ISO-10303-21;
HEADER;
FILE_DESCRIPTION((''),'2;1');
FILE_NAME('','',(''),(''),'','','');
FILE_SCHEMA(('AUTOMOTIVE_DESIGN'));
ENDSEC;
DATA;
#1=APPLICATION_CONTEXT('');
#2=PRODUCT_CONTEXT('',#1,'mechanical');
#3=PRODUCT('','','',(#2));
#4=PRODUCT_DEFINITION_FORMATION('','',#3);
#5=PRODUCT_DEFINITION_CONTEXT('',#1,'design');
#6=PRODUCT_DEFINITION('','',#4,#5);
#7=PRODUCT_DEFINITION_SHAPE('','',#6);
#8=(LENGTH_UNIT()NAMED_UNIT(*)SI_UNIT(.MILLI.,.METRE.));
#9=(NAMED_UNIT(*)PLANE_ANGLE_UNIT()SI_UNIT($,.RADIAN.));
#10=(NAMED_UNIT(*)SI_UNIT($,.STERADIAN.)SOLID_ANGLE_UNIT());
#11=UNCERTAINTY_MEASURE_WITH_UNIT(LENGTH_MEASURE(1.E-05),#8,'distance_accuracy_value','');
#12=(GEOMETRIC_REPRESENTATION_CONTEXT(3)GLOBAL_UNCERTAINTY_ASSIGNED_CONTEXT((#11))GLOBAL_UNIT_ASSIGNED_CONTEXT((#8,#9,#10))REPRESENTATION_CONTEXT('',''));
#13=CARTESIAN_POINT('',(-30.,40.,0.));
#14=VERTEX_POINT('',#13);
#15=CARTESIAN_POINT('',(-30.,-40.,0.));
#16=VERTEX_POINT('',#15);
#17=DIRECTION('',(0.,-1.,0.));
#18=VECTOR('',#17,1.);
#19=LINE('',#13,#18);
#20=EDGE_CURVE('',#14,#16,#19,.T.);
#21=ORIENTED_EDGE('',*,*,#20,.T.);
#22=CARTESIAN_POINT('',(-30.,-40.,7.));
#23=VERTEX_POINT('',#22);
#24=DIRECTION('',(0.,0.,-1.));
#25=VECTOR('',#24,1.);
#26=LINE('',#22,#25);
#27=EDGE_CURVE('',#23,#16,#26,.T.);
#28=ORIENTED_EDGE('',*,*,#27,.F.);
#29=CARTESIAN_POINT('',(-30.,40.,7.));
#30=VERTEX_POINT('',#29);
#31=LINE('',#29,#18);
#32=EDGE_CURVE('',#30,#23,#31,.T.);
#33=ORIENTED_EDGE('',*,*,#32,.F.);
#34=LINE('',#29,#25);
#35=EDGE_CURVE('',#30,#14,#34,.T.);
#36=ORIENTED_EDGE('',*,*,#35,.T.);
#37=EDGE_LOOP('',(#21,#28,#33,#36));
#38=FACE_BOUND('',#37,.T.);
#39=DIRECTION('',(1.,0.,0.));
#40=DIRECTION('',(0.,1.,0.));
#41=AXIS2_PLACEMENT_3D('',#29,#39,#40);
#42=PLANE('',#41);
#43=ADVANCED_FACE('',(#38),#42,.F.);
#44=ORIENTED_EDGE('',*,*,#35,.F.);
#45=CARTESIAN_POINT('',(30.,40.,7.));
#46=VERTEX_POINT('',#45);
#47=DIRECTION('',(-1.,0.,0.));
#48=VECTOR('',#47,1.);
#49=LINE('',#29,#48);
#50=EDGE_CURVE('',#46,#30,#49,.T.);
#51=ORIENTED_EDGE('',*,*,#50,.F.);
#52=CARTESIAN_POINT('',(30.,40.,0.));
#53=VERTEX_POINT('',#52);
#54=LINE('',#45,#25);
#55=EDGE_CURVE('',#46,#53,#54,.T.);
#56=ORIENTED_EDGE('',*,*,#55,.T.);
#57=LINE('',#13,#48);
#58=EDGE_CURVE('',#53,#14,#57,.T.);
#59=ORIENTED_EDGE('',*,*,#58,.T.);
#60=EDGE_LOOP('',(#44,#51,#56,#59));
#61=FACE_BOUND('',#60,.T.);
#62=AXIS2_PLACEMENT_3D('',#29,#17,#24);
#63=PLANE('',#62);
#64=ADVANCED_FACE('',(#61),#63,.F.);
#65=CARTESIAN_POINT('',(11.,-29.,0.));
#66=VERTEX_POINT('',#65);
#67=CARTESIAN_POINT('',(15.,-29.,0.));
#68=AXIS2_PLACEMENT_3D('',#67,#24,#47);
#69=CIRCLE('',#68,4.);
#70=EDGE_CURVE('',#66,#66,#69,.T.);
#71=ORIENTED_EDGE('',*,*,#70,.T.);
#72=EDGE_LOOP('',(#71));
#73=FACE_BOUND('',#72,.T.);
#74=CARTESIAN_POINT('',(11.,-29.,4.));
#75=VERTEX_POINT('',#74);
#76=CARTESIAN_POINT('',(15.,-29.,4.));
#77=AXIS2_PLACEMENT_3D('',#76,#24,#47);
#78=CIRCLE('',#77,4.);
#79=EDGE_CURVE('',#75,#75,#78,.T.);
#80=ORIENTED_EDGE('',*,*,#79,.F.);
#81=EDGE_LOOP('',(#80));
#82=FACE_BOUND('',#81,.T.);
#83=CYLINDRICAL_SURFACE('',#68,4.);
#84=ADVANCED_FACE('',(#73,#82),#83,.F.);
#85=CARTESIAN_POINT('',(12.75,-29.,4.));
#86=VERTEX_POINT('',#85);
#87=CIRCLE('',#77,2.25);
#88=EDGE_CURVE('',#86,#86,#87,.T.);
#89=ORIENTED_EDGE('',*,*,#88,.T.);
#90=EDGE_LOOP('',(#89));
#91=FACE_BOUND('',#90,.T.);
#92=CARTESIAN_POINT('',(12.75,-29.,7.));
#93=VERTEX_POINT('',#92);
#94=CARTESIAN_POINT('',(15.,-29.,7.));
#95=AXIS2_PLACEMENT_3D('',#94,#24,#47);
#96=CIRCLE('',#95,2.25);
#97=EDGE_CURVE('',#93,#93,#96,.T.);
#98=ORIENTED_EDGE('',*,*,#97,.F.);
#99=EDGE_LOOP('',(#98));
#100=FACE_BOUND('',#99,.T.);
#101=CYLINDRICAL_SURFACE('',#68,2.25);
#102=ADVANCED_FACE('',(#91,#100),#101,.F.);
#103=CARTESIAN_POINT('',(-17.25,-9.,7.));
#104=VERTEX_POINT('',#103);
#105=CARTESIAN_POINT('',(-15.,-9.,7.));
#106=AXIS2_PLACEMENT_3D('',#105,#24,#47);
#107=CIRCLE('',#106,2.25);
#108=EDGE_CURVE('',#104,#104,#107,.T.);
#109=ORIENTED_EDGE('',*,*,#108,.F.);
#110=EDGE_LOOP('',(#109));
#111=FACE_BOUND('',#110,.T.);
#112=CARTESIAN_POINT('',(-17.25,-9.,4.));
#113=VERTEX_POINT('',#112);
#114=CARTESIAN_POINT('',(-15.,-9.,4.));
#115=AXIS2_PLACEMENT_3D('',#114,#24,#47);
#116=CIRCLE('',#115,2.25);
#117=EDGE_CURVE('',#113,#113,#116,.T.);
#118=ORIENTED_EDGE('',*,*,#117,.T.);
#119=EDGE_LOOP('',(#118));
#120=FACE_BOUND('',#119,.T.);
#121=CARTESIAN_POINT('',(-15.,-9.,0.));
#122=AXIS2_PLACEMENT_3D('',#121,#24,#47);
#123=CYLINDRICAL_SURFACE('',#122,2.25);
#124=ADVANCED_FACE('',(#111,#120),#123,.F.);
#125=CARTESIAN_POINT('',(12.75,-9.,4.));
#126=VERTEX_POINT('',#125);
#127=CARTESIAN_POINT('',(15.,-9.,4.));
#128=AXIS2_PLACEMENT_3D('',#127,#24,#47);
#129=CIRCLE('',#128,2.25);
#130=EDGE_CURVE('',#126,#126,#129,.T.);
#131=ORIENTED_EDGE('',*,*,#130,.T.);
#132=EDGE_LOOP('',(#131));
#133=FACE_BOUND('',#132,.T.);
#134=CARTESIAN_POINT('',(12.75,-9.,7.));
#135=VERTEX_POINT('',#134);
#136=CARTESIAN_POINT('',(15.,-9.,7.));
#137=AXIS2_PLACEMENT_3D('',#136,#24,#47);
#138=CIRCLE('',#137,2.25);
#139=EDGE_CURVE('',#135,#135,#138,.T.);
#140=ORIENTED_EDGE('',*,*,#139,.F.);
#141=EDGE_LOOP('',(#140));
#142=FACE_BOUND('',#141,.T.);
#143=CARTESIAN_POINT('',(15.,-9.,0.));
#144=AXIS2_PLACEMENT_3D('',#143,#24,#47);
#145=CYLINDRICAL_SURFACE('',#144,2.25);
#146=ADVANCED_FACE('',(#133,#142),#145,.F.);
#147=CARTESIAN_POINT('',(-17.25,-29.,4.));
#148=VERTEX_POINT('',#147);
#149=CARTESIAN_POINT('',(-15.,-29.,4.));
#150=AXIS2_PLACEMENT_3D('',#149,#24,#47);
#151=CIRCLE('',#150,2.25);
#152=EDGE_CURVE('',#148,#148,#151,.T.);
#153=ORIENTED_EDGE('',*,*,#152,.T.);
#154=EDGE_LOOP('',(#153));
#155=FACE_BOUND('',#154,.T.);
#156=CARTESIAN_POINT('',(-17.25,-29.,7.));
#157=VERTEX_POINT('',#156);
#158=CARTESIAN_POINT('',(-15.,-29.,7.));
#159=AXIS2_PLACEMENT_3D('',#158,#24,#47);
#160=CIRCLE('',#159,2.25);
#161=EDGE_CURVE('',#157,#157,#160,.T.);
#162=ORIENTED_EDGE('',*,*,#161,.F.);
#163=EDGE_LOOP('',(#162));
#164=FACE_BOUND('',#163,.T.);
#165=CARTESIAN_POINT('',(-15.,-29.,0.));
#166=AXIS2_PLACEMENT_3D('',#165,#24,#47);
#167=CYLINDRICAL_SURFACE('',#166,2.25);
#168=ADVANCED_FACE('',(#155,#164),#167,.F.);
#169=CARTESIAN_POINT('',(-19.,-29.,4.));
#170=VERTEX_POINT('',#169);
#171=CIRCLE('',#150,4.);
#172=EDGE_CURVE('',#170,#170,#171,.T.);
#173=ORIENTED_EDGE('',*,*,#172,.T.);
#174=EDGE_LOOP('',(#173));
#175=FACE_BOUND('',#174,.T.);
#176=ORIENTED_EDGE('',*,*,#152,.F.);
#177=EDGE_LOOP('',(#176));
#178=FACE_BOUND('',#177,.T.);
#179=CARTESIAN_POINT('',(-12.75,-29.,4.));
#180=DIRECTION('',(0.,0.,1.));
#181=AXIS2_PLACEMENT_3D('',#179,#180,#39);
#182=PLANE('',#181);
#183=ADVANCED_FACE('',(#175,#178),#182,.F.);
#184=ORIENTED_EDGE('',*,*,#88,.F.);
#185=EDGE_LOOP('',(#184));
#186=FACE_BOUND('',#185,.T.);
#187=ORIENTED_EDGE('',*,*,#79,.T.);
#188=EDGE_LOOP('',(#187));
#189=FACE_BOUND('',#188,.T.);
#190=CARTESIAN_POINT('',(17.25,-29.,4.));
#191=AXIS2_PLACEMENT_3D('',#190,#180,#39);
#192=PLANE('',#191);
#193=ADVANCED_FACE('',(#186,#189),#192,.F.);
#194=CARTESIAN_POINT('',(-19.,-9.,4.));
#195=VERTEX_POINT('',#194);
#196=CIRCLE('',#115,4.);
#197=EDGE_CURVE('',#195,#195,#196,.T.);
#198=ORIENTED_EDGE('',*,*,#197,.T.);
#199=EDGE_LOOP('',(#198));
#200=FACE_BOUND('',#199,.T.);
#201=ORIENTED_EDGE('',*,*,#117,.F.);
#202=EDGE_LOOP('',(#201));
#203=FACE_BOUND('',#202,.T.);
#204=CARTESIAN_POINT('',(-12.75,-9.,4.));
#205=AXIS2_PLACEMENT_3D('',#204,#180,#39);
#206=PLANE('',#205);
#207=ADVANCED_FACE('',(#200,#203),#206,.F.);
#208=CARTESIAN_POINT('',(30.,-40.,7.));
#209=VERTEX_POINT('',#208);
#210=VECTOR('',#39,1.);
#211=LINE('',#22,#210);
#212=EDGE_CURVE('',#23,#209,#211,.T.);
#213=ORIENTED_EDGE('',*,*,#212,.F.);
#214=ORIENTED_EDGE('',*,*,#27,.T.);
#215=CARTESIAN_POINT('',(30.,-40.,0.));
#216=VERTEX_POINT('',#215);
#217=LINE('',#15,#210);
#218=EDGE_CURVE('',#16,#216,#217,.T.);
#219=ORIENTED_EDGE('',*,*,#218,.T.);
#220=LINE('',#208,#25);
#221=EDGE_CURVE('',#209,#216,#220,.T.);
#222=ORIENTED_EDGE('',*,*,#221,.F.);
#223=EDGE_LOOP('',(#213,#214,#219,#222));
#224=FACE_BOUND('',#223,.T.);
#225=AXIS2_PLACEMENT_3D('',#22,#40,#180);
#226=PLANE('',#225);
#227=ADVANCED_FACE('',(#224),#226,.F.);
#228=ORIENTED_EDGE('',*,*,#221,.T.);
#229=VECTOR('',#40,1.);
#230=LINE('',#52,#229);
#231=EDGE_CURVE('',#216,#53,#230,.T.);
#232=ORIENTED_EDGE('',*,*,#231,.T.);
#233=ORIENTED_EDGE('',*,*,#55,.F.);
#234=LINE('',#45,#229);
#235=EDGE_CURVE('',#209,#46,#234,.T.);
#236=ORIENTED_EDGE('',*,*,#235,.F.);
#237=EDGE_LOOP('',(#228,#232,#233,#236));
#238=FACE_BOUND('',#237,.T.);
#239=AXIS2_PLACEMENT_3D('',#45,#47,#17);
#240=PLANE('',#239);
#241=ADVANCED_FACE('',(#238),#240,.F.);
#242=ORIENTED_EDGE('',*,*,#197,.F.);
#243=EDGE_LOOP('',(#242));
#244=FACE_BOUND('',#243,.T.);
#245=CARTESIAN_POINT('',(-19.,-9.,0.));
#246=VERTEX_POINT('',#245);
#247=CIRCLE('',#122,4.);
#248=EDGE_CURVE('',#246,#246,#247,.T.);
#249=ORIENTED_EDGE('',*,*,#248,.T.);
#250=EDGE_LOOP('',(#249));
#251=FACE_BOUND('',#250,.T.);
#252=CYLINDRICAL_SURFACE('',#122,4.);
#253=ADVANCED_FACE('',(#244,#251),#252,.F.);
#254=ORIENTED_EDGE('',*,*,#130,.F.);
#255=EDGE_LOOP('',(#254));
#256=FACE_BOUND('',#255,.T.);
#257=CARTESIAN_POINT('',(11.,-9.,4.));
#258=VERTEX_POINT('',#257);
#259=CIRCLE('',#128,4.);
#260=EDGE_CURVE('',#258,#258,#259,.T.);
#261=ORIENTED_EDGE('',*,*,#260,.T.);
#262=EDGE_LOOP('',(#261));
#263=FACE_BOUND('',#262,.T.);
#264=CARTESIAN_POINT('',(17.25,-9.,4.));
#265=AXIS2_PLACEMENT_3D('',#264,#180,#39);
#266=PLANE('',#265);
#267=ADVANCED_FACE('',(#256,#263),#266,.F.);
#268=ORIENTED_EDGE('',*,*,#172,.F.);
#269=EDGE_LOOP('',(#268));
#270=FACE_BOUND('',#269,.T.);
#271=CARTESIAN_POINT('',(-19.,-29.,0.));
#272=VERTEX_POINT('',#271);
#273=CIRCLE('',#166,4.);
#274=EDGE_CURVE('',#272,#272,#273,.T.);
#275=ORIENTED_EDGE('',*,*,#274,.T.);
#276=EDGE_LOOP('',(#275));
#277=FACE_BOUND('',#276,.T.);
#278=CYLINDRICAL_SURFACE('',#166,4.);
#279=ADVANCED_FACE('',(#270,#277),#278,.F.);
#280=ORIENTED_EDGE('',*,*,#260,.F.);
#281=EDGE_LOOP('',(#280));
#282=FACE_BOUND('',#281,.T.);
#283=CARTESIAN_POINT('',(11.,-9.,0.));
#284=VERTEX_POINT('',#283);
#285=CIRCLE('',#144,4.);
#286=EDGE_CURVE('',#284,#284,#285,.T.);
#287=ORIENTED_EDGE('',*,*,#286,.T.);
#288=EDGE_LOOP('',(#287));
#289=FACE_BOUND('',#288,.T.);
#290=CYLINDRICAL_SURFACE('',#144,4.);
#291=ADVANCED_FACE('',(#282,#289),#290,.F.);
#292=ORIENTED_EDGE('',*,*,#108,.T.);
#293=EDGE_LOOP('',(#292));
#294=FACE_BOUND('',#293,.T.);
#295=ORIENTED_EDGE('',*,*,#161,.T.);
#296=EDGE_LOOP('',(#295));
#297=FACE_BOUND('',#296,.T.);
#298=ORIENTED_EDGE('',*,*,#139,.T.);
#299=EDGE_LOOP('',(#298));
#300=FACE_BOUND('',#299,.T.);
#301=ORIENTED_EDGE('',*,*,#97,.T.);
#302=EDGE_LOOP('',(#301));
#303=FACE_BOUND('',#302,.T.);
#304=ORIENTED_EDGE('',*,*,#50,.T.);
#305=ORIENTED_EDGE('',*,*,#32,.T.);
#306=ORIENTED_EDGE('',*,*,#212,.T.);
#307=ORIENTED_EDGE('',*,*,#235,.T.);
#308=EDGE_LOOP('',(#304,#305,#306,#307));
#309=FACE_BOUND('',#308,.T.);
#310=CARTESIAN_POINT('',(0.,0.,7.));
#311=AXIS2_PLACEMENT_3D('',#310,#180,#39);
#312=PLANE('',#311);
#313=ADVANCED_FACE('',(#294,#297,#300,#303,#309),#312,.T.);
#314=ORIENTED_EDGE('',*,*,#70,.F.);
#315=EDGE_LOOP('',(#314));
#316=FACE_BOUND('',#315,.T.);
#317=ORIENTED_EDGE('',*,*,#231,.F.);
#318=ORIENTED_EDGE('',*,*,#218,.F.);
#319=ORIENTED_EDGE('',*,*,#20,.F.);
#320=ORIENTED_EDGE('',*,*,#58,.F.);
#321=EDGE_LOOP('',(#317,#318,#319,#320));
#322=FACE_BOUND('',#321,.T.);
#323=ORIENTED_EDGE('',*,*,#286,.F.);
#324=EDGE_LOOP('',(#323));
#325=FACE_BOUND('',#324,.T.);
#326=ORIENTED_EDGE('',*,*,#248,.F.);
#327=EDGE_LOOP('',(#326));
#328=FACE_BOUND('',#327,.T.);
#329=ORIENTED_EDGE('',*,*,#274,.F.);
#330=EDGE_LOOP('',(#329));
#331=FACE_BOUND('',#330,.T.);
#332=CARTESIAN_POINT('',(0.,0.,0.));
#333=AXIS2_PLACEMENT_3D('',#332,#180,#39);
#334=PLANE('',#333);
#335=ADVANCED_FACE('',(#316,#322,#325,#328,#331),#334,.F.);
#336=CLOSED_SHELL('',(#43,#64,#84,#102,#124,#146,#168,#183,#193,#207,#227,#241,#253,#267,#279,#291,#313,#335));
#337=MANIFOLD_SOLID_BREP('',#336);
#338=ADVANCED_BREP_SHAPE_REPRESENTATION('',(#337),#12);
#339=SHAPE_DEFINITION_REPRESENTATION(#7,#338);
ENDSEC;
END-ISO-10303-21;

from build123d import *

# Parameters (mm, degrees)
SKETCH_1_W                   = 60
SKETCH_1_H                   = 80
EXTRUDE_1_DEPTH              = 7
HOLE_WIZARD_M4_1_D           = 4.5
HOLE_WIZARD_M4_1_CBORE_D     = 8
HOLE_WIZARD_M4_1_CBORE_DEPTH = 4


with BuildPart() as part:
    # 스케치1 → 보스-돌출1 (new body)
    with BuildSketch(Plane.XY):
        Rectangle(SKETCH_1_W, SKETCH_1_H)
    extrude(amount=EXTRUDE_1_DEPTH)

    # M4 소켓 머리 캡 나사용 카운터보어1 (through all)
    with Locations(Plane(origin=(0, 0, 0), x_dir=(-1, 0, 0), z_dir=(0, 0, -1))):
        with Locations((-15, -29), (15, -29), (-15, -9), (15, -9)):
            CounterBoreHole(HOLE_WIZARD_M4_1_D / 2, HOLE_WIZARD_M4_1_CBORE_D / 2, HOLE_WIZARD_M4_1_CBORE_DEPTH)


solid = part.part
